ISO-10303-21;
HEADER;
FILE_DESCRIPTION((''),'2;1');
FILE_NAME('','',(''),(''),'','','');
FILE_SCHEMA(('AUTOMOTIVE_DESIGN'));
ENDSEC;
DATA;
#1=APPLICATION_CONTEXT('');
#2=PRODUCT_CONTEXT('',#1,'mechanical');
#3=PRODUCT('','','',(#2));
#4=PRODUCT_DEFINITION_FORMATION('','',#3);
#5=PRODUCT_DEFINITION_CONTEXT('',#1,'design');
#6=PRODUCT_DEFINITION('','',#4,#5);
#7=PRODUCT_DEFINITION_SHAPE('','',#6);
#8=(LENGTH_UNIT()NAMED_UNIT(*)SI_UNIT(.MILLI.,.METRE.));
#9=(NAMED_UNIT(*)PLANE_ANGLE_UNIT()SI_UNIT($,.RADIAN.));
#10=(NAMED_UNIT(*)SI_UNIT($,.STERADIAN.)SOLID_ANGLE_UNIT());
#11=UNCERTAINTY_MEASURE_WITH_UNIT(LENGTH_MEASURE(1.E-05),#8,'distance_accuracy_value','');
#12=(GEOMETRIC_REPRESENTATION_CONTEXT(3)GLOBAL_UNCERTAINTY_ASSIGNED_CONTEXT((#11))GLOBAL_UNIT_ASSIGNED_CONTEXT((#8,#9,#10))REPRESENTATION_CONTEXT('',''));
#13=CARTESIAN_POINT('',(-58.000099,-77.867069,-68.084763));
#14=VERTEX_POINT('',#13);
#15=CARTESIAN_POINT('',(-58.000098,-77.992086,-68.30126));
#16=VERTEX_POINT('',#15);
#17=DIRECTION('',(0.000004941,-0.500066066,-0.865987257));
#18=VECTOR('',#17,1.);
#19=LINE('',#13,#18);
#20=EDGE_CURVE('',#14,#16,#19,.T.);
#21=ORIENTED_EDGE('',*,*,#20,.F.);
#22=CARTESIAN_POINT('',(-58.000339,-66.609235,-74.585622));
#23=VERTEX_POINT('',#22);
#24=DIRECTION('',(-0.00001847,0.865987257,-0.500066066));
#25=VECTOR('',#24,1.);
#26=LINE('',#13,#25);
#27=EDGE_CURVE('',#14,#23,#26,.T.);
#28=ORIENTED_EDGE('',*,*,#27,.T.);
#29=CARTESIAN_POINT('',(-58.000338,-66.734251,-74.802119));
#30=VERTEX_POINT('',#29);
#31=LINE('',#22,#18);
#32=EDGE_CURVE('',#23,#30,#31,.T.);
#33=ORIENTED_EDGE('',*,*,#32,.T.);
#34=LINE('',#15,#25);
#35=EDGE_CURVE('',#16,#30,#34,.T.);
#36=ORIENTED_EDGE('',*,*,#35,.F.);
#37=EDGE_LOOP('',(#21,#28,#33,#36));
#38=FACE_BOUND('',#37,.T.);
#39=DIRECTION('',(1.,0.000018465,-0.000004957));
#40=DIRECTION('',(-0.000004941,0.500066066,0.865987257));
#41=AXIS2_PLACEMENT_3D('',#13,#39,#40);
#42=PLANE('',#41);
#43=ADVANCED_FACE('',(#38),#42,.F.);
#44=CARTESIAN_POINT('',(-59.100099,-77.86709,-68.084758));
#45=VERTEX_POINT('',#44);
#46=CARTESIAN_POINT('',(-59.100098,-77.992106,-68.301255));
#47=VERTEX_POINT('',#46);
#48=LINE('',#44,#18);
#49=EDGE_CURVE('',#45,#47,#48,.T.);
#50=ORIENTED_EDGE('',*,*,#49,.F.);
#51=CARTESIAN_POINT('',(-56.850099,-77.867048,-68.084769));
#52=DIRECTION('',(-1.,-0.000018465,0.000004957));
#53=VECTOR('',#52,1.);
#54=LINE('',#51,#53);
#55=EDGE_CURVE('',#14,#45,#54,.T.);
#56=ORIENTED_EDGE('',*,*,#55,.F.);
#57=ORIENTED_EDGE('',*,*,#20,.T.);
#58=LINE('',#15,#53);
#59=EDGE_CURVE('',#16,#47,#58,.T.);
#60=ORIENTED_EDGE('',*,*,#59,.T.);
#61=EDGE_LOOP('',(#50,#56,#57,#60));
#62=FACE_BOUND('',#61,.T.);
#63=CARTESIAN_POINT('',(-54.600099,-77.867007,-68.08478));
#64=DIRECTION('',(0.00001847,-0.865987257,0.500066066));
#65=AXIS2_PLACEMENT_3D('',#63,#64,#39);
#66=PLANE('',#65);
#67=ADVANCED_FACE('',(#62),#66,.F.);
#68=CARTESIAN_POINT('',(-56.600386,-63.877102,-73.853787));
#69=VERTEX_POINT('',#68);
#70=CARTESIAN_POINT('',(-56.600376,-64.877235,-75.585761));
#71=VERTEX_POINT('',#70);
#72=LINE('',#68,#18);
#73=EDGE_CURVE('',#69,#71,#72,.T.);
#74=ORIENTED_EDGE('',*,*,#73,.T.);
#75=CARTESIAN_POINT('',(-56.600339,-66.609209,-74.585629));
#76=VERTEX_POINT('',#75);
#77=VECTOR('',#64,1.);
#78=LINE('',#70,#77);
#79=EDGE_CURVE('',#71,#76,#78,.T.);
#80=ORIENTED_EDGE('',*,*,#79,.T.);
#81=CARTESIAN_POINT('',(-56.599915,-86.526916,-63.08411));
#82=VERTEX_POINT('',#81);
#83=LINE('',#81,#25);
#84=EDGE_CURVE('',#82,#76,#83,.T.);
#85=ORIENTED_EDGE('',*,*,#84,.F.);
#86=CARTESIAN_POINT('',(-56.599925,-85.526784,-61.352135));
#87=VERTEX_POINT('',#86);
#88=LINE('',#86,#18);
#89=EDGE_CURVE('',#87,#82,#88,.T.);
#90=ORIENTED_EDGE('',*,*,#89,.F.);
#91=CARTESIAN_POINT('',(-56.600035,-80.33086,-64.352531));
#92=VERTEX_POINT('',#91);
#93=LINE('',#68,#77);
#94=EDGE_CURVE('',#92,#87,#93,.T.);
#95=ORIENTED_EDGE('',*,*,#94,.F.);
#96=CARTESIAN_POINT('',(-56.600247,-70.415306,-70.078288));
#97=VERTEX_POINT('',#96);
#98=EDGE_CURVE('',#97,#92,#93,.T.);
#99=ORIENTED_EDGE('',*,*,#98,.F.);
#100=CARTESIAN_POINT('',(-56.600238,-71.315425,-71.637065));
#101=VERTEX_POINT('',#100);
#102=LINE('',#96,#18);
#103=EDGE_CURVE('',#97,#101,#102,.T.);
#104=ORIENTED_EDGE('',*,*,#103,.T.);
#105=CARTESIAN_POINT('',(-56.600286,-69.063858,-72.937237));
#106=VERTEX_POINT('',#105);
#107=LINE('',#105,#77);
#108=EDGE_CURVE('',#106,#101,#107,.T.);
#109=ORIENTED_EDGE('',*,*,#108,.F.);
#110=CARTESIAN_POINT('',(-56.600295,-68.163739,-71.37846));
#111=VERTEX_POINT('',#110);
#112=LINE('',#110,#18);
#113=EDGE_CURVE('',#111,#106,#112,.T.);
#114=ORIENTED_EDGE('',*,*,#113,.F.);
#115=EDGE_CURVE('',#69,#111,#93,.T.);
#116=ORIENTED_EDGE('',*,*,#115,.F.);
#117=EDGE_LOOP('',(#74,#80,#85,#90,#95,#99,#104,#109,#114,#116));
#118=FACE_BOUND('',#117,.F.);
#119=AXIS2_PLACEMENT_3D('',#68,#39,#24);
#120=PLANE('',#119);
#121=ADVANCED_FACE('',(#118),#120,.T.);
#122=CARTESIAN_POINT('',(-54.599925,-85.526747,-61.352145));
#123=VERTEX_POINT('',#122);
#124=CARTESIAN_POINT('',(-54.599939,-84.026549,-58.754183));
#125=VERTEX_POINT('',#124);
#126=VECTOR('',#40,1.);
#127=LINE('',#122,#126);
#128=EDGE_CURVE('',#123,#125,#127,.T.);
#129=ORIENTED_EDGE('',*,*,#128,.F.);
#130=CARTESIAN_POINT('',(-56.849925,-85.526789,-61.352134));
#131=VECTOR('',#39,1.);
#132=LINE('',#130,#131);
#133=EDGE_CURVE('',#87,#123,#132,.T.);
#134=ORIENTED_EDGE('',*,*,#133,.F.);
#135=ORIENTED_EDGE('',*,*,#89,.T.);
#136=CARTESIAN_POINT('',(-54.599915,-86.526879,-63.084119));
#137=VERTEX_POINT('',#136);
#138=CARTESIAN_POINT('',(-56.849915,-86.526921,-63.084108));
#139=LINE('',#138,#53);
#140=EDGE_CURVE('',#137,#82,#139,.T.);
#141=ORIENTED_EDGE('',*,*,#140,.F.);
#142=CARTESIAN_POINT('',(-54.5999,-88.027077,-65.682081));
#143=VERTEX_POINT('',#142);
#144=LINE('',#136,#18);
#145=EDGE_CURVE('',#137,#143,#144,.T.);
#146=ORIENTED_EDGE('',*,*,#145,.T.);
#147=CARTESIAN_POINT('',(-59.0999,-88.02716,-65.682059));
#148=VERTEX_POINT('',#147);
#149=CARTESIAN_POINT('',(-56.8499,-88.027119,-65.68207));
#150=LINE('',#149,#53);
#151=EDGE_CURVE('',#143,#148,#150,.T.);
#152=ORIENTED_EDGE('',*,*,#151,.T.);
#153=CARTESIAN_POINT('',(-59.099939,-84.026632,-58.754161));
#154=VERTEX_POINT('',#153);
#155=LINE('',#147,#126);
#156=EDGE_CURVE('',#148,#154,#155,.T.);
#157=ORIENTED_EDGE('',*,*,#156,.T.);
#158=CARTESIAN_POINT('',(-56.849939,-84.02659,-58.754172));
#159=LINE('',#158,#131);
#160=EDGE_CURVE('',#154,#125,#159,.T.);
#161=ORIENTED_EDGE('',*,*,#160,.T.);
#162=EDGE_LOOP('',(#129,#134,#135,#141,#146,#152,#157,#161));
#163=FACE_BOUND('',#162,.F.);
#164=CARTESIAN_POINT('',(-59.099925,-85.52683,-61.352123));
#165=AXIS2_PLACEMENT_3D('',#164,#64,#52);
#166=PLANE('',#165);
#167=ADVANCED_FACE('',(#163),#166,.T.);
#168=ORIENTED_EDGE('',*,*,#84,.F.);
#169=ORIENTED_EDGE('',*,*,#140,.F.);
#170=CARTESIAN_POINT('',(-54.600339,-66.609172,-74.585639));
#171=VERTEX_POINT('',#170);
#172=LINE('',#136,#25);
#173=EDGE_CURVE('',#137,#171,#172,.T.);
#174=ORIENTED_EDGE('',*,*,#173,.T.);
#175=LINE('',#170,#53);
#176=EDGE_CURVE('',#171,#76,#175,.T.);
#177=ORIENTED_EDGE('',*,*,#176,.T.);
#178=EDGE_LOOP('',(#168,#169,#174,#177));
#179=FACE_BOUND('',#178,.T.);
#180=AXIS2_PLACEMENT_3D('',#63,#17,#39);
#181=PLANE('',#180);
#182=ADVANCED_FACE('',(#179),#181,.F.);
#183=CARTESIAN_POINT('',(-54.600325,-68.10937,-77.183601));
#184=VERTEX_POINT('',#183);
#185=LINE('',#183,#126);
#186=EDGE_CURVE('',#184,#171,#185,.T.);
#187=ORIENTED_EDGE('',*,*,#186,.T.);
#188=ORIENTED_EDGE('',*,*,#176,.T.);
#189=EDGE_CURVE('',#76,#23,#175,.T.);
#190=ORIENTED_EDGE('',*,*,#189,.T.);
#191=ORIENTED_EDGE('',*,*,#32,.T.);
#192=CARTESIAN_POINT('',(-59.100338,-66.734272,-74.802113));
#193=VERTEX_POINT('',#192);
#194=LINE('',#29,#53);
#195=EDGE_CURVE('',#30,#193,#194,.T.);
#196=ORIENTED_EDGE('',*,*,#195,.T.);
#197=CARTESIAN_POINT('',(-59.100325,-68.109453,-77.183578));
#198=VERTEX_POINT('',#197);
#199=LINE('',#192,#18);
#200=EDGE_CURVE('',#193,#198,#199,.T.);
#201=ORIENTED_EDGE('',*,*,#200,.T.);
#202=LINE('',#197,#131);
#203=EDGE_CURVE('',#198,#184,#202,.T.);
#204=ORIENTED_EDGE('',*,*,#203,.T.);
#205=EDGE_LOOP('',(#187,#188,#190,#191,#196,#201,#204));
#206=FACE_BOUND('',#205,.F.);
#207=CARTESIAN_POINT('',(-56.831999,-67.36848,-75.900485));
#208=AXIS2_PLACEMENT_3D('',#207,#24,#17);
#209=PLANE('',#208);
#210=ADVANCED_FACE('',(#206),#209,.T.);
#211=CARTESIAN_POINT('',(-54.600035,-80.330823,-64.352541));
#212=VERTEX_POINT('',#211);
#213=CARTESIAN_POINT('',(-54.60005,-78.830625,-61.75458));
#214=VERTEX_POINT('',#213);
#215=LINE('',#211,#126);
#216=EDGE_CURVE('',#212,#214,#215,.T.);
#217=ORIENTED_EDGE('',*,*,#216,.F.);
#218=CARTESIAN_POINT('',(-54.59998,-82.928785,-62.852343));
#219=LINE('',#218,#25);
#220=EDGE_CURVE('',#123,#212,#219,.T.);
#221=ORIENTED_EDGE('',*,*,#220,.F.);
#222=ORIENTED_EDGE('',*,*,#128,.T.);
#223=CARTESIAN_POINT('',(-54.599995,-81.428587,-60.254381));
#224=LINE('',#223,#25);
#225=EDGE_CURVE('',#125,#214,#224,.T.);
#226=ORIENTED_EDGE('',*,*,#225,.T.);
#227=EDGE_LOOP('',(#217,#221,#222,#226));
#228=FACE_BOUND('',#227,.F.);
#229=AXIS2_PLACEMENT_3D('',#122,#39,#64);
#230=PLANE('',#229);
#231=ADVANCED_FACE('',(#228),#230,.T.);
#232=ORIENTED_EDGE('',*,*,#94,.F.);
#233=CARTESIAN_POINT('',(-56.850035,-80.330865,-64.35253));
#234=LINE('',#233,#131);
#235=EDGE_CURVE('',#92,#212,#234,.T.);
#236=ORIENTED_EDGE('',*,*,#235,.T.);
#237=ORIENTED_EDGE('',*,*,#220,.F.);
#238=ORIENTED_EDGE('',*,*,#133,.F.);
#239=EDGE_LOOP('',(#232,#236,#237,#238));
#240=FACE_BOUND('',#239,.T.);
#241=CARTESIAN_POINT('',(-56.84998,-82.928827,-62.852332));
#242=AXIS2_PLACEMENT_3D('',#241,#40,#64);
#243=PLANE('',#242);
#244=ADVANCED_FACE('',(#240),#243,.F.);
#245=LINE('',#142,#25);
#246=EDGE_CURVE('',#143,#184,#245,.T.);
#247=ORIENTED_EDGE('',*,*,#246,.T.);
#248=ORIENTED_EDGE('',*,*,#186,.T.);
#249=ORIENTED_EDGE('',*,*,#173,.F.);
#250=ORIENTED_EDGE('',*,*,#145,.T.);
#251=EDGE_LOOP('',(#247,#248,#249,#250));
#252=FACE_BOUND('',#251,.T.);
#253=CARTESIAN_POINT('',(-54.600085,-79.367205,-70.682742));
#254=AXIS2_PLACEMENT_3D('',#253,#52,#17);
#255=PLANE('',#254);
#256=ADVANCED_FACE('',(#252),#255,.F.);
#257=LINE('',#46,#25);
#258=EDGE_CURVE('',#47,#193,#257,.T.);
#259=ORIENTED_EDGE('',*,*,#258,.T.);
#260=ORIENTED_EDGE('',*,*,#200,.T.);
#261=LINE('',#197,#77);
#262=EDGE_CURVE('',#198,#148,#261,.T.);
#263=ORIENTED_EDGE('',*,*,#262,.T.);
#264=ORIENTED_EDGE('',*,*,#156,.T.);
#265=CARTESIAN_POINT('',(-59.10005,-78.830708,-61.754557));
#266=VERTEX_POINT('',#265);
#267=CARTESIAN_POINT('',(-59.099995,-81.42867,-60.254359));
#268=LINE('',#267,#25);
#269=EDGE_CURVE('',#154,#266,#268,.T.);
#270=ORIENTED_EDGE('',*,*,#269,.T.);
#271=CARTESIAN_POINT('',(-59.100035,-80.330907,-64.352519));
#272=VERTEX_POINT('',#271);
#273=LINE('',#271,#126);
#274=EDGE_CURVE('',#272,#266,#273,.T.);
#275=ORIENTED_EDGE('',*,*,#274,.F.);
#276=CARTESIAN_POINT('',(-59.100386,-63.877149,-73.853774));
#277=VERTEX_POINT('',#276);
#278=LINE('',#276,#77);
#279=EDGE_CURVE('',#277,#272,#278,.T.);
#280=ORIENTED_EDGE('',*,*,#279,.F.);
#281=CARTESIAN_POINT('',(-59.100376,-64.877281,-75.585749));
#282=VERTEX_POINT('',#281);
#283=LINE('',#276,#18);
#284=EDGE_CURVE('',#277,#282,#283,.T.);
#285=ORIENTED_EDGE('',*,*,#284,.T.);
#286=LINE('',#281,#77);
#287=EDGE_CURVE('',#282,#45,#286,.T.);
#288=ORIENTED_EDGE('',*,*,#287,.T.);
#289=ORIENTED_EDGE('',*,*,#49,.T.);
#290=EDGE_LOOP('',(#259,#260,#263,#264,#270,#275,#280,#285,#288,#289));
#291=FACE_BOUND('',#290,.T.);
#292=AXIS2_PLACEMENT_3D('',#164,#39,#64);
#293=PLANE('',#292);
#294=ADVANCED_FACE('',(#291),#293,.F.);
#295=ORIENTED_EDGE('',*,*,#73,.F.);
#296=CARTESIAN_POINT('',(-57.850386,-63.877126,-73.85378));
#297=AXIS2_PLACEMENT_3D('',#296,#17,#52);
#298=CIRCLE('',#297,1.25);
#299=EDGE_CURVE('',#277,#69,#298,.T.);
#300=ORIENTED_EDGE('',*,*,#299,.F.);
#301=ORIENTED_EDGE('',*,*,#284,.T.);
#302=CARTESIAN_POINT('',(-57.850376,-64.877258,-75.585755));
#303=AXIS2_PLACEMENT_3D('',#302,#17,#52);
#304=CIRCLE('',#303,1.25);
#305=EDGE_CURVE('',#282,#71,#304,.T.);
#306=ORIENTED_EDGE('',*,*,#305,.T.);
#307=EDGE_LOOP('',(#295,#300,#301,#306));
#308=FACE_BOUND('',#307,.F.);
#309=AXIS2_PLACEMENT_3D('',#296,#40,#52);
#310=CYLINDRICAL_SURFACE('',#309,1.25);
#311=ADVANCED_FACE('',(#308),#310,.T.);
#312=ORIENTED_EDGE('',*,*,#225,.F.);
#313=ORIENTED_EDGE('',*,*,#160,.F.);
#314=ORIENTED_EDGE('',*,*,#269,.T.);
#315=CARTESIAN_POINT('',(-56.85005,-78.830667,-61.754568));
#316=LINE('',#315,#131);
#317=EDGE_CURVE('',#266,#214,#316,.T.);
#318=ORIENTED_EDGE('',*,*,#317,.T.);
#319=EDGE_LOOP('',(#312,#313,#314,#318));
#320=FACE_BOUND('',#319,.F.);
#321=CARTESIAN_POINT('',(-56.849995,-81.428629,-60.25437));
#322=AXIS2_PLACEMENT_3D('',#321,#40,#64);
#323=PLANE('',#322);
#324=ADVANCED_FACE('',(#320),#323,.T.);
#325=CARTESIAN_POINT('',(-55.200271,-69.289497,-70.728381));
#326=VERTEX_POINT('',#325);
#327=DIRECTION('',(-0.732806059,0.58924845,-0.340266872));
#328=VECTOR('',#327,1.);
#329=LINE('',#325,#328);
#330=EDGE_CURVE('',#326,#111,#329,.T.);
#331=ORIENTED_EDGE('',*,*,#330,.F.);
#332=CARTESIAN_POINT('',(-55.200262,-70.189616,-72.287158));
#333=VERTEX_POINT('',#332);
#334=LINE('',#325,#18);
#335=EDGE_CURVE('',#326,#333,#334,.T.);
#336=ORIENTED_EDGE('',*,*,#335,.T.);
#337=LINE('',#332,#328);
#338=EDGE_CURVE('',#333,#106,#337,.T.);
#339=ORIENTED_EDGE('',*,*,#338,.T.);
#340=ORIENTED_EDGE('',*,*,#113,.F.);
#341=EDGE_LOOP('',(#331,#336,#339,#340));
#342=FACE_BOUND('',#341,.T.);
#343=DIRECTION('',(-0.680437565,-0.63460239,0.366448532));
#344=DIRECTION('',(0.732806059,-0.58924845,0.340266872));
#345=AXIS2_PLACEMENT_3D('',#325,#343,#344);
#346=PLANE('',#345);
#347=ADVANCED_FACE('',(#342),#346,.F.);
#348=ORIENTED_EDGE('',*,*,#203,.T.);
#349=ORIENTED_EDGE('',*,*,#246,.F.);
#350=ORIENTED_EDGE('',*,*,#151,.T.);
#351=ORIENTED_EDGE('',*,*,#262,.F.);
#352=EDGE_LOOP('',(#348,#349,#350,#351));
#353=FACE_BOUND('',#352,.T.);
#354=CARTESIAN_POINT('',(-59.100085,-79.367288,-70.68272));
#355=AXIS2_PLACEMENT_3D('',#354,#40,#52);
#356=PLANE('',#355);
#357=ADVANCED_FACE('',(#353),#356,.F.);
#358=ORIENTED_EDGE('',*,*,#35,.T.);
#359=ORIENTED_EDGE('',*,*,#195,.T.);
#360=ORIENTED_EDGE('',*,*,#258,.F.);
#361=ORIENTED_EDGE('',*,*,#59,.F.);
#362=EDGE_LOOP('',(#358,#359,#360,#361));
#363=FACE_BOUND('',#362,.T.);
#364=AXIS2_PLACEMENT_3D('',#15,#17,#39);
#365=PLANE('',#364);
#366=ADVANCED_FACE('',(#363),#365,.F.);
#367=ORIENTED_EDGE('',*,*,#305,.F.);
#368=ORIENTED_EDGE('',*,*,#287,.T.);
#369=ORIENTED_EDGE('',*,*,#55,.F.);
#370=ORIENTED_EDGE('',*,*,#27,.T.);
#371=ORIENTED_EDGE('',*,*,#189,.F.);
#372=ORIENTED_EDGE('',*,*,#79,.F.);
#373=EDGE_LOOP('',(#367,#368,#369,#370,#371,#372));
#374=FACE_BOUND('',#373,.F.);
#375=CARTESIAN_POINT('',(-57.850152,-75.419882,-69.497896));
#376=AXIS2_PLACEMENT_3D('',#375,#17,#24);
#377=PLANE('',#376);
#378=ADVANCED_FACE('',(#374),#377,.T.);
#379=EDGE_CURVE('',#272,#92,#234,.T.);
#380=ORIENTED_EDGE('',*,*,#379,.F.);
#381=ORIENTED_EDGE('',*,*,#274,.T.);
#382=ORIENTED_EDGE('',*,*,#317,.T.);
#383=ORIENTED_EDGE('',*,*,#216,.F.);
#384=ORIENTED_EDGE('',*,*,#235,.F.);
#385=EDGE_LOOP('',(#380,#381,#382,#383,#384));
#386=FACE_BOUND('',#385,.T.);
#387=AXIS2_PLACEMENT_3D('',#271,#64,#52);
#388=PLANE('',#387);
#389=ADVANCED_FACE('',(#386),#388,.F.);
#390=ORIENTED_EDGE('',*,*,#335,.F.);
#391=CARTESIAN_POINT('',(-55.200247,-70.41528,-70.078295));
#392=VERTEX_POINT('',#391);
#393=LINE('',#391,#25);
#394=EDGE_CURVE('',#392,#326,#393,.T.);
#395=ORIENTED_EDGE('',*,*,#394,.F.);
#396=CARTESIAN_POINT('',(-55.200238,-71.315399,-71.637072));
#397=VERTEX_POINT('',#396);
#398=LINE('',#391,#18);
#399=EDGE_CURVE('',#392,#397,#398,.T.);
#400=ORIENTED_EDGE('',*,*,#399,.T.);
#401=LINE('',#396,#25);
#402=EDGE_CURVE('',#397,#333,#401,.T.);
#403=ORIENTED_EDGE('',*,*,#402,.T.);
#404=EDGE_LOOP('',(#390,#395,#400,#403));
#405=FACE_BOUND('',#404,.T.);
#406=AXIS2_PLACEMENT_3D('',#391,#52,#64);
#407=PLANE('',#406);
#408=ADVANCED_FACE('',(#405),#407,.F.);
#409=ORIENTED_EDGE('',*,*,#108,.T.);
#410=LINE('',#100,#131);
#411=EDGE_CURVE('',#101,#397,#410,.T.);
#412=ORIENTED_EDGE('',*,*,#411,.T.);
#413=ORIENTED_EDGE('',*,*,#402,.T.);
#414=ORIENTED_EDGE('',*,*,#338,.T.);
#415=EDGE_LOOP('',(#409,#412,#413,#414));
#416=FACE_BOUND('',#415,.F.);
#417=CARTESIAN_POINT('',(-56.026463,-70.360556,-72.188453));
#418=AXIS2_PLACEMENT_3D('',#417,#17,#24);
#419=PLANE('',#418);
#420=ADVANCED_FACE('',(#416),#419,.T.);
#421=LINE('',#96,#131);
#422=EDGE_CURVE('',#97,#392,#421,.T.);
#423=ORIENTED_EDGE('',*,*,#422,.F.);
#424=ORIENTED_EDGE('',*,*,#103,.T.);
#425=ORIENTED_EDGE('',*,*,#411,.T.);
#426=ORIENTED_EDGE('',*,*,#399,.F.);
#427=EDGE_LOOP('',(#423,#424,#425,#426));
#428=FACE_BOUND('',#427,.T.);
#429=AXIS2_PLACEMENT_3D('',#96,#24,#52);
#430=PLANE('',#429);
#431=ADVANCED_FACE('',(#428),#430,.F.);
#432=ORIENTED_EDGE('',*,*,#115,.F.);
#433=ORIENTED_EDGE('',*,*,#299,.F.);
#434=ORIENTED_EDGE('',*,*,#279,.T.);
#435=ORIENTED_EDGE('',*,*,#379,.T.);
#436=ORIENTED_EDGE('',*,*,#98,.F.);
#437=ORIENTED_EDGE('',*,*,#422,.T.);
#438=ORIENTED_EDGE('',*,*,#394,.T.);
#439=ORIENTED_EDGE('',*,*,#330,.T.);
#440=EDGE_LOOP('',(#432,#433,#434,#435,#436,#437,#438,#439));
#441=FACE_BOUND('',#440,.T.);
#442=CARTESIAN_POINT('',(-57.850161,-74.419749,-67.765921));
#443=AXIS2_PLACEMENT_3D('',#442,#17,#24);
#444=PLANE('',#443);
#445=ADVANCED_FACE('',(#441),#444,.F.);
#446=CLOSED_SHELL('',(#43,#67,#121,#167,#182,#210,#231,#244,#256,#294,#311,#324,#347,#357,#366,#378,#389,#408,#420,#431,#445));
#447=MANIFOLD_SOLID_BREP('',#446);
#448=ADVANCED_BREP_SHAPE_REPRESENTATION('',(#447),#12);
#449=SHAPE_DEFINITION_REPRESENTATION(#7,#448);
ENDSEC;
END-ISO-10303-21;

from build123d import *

# Parameters (mm, degrees)
PAD022_DEPTH            = 2
BOX028_W                = 10
BOX028_H                = 4.5
BOX028_DEPTH            = 3
PAD023_DEPTH            = 13
PAD024_DEPTH            = 1.8
BOX029_W                = 6
BOX029_H                = 4.5
BOX029_DEPTH            = 3
BODY012_ROLL_ANGLE      = -0.000328
BODY012_PITCH_ANGLE     = 30.004371
BODY012_PLACEMENT_ANGLE = 89.998778


with BuildPart() as body012:
    # Sketch042 → Pad022 (new body)
    with BuildSketch(Plane(origin=(0, -0.1, 0.2), x_dir=(1, 0, 0), z_dir=(0, 0, 1))):
        with BuildLine():
            Line((24, -2.5), (-1, -2.5))
            Line((-1, -2.5), (-1, 0))
            Line((24, 0), (-1, 0))
            ThreePointArc((24, -2.5), (25.25, -1.25), (24, 0))
        make_face()
    extrude(amount=-PAD022_DEPTH)

    # Box028 → Box028 (join)
    with BuildSketch(Plane(origin=(-1, 1.9, -1.8), x_dir=(1, 0, 0), z_dir=(0, 0, -1))):
        with Locations((5, 2.25)):
            Rectangle(BOX028_W, BOX028_H)
    extrude(amount=BOX028_DEPTH)

    # Sketch043 (on Plane of DatumPlane011) → Pad023 (join)
    with BuildSketch(Plane(origin=(9, -2.6, -4.8), x_dir=(0, 0, 1), z_dir=(1, 0, 0))):
        Polygon((0, 0), (0, -4.5), (3, -4.5), (3, -1.1), (2.75, -1.1), (2.75, 0), align=None)
    extrude(amount=PAD023_DEPTH)

    # Sketch044 (on Plane of DatumPlane002) → Pad024 (join)
    with BuildSketch(Plane.XY.offset(0.2)):
        Polygon((16.45, -0.1), (16.45, 1.3), (17.75, 1.3), (19.05, -0.1), align=None)
    extrude(amount=-PAD024_DEPTH)

    # Box029 → Box029 (join)
    with BuildSketch(Plane(origin=(-1, -2.6, 0.2), x_dir=(1, 0, 0), z_dir=(0, 0, 1))):
        with Locations((3, 2.25)):
            Rectangle(BOX029_W, BOX029_H)
    extrude(amount=BOX029_DEPTH)


with BuildPart() as body012_1:
    # Body012 roll: moved
    add(body012.part.rotate(Axis((0, 0, 0), (1, 0, 0)), BODY012_ROLL_ANGLE))


with BuildPart() as body012_2:
    # Body012 pitch: moved
    add(body012_1.part.rotate(Axis((0, 0, 0), (0, 1, 0)), BODY012_PITCH_ANGLE))


with BuildPart() as body012_3:
    # Body012 placement: moved
    add(body012_2.part.moved(Location((-34.500058, -84.760808, -62.025399))).rotate(Axis((-34.500058, -84.760808, -62.025399), (0, 0, 1)), BODY012_PLACEMENT_ANGLE))


with BuildPart() as body_mirrored:
    # mirror: instance of Body012
    add(body012_3.part.mirror(Plane(origin=(-11, 23.3, 0), x_dir=(0, 1, 0), z_dir=(-1, 0, 0))))


with BuildPart() as body_mirrored_1:
    # mirror placement: moved
    add(body_mirrored.part.moved(Location((-69, 0, 0))))


solid = body_mirrored_1.part
